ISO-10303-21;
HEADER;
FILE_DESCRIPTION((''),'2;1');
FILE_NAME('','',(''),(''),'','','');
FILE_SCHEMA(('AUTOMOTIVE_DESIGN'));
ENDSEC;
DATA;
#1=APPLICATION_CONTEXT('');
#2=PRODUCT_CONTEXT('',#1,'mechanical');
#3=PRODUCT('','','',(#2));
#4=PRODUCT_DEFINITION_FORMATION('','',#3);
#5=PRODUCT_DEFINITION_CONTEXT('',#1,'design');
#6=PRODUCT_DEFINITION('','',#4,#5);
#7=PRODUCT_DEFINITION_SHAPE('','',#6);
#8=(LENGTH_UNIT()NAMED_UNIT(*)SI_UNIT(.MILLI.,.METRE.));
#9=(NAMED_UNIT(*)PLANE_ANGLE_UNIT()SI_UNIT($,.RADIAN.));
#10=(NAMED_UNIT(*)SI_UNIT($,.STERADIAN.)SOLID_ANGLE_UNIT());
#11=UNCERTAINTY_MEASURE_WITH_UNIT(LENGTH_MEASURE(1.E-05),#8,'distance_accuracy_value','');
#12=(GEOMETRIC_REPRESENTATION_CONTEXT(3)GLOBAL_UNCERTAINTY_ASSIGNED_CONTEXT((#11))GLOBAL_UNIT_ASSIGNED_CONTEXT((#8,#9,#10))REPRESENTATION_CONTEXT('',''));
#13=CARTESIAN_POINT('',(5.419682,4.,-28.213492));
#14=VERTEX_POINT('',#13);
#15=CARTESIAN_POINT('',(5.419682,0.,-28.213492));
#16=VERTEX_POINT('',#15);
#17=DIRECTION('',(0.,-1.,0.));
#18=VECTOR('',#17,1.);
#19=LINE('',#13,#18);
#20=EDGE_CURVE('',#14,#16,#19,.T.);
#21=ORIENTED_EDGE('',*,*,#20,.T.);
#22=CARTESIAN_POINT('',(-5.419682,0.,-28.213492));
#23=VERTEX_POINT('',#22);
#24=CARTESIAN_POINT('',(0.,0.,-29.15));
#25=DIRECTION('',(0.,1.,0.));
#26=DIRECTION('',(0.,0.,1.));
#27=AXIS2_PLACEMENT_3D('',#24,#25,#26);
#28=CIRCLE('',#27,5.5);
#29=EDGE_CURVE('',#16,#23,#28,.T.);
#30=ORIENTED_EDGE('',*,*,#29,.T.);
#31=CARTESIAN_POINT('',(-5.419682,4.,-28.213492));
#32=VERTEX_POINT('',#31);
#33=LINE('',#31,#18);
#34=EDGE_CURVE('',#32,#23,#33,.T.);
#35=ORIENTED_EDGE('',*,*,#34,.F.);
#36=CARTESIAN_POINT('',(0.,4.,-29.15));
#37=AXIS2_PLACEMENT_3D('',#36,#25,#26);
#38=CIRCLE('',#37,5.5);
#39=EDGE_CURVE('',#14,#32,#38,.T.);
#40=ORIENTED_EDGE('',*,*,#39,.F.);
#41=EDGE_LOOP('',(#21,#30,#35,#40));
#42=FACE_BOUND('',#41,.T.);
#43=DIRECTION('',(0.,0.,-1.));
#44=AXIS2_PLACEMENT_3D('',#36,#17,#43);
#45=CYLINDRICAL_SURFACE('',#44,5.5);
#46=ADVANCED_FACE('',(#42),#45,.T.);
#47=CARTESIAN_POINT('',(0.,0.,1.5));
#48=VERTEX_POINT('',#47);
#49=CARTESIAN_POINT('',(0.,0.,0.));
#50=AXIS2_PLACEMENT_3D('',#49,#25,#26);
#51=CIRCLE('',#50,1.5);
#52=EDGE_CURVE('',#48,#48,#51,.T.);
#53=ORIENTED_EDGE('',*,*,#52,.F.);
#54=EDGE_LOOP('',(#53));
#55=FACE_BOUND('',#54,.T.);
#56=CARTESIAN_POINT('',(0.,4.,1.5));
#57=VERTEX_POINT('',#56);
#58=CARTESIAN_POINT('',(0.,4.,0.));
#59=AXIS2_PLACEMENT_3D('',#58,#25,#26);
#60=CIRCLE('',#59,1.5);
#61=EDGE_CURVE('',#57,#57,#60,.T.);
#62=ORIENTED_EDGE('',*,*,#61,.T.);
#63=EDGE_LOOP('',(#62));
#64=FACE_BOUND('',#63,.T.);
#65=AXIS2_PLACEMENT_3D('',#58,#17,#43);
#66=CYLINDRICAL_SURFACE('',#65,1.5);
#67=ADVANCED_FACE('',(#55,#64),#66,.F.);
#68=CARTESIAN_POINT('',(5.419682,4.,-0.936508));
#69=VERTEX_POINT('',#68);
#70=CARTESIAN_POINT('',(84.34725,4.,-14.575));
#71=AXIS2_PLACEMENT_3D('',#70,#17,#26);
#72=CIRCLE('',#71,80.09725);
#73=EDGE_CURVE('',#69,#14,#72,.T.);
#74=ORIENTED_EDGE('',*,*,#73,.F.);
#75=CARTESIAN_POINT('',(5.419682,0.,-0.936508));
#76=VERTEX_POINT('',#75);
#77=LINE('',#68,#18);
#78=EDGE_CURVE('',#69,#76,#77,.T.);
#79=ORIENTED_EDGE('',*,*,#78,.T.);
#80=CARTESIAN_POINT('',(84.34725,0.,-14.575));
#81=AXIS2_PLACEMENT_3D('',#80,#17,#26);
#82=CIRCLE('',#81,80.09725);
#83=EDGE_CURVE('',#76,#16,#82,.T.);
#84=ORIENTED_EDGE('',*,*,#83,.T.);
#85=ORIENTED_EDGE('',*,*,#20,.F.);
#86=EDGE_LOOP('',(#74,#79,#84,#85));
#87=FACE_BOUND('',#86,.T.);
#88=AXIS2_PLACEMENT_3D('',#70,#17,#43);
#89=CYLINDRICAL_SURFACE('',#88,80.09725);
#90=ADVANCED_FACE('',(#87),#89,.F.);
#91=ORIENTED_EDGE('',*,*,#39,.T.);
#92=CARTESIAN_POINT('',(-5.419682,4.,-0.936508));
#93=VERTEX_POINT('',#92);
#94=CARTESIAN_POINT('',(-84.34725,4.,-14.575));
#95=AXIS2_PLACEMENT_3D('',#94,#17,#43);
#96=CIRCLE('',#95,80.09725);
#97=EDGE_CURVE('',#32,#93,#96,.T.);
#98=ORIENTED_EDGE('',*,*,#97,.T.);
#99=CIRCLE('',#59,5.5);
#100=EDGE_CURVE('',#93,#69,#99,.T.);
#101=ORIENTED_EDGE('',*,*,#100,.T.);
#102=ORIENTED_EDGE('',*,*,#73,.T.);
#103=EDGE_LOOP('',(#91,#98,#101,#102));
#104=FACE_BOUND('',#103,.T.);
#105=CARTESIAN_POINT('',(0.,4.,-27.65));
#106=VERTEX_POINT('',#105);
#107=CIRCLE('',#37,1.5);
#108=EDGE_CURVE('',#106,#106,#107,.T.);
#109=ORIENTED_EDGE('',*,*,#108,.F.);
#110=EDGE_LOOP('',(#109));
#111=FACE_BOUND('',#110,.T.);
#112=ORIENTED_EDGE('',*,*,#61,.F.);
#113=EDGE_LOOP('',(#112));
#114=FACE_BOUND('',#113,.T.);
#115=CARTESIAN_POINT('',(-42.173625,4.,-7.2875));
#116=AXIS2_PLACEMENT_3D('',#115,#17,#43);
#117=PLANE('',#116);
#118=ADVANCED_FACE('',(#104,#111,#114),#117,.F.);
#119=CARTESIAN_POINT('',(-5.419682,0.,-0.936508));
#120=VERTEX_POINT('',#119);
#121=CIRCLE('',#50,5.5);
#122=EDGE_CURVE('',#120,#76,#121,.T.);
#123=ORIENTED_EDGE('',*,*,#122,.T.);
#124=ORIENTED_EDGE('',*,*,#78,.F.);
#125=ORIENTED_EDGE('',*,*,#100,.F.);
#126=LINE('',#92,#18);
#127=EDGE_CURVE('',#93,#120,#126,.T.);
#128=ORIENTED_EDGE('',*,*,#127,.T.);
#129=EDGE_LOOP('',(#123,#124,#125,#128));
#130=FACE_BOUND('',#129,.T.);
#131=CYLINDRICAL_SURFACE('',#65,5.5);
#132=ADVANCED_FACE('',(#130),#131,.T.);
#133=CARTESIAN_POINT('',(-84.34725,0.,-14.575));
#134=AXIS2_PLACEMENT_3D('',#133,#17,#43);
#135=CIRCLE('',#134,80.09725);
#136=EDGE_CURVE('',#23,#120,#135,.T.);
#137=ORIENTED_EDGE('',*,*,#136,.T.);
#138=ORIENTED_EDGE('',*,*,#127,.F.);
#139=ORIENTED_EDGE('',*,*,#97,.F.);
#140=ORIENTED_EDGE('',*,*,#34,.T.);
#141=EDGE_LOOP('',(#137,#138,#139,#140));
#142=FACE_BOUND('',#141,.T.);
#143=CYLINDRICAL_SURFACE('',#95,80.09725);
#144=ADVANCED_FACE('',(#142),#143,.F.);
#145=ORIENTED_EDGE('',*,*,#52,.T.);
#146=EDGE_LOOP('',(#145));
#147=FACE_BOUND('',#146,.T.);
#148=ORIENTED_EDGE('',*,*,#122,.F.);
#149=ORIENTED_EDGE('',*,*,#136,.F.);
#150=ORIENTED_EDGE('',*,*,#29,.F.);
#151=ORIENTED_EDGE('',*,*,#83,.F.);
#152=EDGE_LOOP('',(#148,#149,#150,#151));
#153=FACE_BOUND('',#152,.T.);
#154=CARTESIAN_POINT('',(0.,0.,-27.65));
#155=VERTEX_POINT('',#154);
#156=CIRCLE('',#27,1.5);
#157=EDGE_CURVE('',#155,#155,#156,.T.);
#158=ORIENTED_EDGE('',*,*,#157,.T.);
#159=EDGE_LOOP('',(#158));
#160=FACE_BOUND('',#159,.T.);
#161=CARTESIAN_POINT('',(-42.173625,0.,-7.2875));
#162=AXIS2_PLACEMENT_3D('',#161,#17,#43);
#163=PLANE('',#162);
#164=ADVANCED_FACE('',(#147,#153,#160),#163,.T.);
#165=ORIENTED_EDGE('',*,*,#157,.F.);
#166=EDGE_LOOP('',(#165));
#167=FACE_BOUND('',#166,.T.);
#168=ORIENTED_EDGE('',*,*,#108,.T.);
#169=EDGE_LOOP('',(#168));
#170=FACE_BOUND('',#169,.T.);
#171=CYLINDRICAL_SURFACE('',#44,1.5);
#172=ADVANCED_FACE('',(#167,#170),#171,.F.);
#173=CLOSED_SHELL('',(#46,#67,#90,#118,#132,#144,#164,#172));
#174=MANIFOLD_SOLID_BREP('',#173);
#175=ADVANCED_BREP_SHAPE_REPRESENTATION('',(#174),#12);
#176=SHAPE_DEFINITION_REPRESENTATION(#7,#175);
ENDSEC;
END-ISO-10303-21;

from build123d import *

# Parameters (mm, degrees)
SKETCH1_R           = 1.5
BOSS_EXTRUDE1_DEPTH = 4


with BuildPart() as part:
    # Sketch1 → Boss-Extrude1 (new body)
    with BuildSketch(Plane(origin=(0, 0, 0), x_dir=(1, 0, 0), z_dir=(0, 1, 0))):
        with BuildLine():
            ThreePointArc((-5.419681999, 0.93650789), (0, -5.5), (5.419681999, 0.93650789))
            ThreePointArc((5.419681999, 0.93650789), (4.25, 14.575), (5.419681999, 28.21349211))
            ThreePointArc((5.419681999, 28.21349211), (0, 34.65), (-5.419681999, 28.21349211))
            ThreePointArc((-5.419681999, 28.21349211), (-4.25, 14.575), (-5.419681999, 0.93650789))
        make_face()
        Circle(SKETCH1_R, mode=Mode.SUBTRACT)
        with Locations((0, 29.15)):
            Circle(SKETCH1_R, mode=Mode.SUBTRACT)
    extrude(amount=BOSS_EXTRUDE1_DEPTH)


solid = part.part
